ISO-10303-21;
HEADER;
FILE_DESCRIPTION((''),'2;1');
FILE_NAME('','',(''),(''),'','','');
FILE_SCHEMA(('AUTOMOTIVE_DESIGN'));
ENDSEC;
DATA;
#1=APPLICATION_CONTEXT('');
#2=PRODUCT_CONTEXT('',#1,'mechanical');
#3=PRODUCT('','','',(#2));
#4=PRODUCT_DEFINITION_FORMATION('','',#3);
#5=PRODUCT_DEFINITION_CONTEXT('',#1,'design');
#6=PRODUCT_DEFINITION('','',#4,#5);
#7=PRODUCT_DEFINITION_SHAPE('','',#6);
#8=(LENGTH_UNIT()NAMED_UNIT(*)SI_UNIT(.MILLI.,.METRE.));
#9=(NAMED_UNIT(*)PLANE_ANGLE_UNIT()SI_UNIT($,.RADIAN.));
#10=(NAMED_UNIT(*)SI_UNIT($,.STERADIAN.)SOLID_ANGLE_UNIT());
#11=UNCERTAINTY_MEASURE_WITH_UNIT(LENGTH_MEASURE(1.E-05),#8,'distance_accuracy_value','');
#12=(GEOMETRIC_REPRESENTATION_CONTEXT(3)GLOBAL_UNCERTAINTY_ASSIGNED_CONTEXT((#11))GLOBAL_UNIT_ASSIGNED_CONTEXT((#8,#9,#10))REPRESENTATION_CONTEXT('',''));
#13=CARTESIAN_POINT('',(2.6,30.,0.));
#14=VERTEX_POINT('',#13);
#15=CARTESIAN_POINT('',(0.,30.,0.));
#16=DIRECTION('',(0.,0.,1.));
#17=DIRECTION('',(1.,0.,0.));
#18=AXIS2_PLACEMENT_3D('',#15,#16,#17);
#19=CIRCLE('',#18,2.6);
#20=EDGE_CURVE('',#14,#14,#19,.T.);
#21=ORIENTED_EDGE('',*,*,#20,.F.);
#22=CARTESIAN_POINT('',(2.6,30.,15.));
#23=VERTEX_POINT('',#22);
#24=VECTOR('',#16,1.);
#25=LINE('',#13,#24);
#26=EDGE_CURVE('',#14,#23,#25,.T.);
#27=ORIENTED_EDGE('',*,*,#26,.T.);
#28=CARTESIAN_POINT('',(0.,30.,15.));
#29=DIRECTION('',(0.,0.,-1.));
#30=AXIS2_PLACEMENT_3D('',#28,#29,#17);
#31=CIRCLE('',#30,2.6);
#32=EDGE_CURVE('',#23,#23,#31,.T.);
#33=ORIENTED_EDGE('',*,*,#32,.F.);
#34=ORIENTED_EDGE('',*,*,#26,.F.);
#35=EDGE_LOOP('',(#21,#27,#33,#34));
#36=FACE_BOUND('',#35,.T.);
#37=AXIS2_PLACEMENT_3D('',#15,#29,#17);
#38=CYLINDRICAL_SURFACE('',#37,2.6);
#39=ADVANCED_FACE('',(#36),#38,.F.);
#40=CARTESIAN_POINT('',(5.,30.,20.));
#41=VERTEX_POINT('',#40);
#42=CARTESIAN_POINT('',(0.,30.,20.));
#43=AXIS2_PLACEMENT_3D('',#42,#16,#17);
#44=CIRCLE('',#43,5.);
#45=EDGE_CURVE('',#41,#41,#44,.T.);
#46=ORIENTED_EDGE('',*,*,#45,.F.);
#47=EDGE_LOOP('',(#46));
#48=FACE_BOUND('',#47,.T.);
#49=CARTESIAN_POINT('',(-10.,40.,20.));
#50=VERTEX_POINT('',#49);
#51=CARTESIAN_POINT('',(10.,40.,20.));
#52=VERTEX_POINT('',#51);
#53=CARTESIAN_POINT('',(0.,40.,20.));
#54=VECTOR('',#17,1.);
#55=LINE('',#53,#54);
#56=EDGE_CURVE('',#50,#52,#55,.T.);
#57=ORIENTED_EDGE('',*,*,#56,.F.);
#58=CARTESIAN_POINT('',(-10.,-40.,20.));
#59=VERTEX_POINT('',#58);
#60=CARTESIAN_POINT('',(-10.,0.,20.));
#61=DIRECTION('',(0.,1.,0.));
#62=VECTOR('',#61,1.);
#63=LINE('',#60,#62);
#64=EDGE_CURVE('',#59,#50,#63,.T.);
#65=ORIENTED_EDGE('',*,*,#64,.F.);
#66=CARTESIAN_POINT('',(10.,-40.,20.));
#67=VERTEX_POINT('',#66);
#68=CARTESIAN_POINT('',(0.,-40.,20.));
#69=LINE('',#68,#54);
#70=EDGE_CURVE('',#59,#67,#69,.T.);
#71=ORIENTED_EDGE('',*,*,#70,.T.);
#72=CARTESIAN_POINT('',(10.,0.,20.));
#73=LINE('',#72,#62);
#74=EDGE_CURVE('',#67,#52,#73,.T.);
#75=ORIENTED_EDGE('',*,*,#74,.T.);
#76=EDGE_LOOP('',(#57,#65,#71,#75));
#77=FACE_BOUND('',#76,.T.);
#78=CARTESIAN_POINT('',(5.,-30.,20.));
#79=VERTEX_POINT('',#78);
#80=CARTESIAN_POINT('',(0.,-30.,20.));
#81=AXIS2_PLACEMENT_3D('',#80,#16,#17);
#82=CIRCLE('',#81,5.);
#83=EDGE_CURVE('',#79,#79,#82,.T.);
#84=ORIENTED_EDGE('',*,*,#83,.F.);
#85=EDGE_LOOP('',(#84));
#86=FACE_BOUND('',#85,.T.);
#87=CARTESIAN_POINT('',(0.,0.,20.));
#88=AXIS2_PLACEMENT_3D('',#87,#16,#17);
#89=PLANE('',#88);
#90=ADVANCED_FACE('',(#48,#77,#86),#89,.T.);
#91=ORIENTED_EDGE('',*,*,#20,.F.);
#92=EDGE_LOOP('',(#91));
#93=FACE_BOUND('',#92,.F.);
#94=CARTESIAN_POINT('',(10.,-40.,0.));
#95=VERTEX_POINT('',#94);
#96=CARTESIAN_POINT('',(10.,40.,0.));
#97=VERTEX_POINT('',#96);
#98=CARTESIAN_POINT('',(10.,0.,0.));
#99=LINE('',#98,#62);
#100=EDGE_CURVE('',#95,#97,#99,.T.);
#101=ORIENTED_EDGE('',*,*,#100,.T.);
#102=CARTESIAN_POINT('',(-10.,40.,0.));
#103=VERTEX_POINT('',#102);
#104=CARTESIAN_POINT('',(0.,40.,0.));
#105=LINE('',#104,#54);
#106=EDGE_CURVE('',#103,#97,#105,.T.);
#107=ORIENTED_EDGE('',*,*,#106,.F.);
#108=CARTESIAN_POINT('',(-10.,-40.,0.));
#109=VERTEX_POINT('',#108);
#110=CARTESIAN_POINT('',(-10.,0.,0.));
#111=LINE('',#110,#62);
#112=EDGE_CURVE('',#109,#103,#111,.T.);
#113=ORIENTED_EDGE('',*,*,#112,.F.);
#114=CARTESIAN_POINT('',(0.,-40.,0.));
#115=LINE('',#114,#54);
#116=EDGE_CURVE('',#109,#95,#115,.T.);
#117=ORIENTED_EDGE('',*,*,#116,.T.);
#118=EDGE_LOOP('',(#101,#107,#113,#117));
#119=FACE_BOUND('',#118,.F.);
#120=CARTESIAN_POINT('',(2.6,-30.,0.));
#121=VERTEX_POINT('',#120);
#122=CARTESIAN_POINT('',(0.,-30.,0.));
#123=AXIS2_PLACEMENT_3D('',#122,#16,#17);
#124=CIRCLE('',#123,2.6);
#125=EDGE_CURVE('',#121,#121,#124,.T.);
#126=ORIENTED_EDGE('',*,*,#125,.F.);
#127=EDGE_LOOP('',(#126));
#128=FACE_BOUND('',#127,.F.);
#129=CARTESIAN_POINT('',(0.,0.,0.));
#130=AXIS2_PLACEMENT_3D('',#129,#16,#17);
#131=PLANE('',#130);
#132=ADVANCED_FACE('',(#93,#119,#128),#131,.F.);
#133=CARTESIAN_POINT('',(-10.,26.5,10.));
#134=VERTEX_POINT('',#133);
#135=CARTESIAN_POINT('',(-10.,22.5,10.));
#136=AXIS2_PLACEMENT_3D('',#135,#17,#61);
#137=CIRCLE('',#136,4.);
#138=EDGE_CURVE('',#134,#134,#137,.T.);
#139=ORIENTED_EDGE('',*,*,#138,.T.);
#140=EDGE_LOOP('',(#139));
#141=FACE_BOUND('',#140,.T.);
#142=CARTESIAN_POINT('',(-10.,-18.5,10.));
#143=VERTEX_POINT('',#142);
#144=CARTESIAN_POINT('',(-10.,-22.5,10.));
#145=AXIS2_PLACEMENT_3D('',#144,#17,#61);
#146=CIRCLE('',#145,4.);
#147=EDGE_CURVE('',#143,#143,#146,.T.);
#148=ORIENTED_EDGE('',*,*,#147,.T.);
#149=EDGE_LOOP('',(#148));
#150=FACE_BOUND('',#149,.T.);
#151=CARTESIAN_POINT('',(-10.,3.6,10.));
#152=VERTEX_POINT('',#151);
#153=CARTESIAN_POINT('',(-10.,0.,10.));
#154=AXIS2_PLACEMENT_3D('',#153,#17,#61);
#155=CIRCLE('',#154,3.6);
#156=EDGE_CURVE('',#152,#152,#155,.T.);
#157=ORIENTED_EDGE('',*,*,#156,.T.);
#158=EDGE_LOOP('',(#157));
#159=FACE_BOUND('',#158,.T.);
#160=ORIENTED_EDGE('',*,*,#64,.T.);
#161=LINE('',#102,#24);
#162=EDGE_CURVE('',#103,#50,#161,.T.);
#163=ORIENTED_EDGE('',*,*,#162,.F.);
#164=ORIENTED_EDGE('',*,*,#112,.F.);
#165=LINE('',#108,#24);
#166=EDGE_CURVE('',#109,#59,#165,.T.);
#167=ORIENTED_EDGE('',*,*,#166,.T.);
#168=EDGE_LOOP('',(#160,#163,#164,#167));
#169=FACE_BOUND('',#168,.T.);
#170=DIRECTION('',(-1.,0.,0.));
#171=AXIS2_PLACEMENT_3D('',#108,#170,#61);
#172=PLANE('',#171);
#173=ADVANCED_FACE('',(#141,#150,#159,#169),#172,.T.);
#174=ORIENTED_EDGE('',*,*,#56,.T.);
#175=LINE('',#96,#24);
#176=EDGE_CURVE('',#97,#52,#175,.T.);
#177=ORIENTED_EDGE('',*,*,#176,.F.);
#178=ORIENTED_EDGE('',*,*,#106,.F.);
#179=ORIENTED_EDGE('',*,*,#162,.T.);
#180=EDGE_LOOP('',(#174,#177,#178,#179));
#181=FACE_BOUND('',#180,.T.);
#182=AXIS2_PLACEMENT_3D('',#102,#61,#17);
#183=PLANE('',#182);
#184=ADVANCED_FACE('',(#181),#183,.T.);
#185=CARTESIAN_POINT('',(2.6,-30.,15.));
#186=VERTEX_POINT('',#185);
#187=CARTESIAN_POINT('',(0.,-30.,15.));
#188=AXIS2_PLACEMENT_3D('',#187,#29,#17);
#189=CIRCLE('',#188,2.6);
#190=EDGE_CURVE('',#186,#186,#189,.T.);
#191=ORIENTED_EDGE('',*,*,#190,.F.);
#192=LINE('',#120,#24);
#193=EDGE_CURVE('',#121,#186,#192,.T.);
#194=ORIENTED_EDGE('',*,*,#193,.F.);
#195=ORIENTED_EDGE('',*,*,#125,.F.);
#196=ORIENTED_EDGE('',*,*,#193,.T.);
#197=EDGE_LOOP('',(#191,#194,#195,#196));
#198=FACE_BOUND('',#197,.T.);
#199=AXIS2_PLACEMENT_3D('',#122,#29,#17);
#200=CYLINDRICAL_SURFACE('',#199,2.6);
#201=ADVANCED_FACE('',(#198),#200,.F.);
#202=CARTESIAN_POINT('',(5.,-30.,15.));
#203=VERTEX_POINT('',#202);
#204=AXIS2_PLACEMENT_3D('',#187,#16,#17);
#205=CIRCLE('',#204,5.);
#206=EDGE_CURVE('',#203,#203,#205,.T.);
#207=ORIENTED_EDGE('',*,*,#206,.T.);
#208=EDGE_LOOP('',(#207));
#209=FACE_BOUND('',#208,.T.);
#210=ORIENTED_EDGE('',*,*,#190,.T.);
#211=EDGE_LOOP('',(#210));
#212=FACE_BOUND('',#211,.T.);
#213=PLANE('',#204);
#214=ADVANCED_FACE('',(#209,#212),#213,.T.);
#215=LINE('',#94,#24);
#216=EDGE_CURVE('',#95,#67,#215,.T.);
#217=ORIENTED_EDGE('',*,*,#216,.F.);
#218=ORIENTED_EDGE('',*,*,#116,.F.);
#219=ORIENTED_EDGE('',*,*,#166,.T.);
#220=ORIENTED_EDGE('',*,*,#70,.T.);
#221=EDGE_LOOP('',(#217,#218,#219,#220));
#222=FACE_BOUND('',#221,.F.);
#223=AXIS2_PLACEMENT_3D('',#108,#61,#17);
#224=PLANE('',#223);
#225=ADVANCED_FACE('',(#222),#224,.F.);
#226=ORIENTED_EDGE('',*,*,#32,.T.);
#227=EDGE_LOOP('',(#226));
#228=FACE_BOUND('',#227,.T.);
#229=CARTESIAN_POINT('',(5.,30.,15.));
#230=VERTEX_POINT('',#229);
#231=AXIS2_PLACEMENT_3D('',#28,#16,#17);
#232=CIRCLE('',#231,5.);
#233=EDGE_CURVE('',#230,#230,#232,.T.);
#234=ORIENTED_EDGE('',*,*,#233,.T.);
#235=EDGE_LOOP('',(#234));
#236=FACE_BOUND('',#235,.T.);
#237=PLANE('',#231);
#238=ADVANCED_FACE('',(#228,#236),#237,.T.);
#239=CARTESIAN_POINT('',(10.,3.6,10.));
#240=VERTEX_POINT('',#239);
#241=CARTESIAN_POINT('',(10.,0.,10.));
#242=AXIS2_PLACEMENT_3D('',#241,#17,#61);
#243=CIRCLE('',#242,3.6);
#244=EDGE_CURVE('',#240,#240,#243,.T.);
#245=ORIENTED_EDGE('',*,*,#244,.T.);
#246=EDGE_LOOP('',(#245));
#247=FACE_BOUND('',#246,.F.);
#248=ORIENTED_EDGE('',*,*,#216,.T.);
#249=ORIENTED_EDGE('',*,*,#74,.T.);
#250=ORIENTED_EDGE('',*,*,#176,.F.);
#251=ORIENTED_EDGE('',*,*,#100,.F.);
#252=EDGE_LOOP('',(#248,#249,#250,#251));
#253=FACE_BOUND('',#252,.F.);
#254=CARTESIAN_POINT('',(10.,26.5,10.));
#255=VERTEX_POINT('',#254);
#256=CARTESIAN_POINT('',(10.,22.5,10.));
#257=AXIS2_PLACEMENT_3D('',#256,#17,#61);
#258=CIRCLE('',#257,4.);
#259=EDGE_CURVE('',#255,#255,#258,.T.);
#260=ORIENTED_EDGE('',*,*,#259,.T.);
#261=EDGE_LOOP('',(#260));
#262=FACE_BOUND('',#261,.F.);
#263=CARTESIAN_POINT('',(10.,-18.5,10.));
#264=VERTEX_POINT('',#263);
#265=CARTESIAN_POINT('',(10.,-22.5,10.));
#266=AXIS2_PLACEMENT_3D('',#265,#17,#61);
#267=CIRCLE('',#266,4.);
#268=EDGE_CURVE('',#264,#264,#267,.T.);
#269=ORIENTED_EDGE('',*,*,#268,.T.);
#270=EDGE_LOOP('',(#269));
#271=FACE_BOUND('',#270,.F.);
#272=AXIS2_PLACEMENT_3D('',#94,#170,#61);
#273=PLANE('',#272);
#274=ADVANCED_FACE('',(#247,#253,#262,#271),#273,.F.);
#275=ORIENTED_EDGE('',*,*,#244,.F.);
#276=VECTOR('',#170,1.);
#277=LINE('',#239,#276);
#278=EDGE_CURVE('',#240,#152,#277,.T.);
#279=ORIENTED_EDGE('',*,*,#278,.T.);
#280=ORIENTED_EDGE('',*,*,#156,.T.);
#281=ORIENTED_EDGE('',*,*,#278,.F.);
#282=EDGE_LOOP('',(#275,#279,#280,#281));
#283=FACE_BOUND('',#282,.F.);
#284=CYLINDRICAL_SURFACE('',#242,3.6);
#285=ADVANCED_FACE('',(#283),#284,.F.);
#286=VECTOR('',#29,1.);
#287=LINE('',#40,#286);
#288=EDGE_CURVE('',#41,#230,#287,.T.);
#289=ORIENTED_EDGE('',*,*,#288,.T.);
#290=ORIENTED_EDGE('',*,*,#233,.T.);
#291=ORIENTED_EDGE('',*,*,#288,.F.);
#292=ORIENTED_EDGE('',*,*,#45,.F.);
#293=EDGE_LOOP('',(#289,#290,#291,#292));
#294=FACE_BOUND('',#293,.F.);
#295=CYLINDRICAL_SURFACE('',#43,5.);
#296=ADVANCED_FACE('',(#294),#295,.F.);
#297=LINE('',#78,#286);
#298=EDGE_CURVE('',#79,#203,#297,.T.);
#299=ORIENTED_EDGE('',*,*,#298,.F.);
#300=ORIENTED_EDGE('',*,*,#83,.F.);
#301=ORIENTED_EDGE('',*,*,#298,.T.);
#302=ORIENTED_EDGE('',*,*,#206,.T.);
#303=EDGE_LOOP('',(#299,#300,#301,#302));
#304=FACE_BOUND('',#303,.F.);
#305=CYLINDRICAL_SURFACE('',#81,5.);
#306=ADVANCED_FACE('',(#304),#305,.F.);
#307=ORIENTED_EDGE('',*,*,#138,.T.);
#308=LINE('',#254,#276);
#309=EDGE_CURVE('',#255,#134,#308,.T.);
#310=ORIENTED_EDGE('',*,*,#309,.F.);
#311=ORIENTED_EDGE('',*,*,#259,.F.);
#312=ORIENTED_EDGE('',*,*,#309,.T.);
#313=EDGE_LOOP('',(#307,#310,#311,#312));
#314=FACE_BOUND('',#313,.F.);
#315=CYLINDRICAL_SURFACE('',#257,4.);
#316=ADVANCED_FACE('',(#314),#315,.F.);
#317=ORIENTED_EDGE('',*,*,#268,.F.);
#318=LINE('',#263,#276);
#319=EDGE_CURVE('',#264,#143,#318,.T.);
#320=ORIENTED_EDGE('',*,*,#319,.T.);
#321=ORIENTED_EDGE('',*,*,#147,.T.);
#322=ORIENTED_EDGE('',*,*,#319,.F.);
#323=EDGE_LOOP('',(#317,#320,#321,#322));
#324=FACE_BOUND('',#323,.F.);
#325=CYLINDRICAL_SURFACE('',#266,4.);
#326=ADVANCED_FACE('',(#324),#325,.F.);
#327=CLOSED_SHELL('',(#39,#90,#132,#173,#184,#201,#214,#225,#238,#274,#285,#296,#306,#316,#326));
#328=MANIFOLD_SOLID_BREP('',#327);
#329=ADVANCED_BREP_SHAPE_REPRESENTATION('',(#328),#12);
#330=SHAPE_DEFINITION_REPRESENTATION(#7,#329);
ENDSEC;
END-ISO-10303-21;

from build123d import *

# Parameters (mm, degrees)
F0_W     = 20
F0_H     = 80
F0_R     = 2.6
F1_DEPTH = 20
F2_R     = 5
F3_DEPTH = 5
F4_R     = 4
F4_R_2   = 3.6
F5_DEPTH = 25


with BuildPart() as f1:
    # F0 (on Top) → F1 (new body)
    with BuildSketch(Plane.XY):
        Rectangle(F0_W, F0_H)
        with Locations((0, -30)):
            Circle(F0_R, mode=Mode.SUBTRACT)
        with Locations((0, 30)):
            Circle(F0_R, mode=Mode.SUBTRACT)
    extrude(amount=F1_DEPTH)

    # F2 (on face) → F3 (cut)
    with BuildSketch(Plane.XY.offset(20)):
        with Locations((0, 30)):
            Circle(F2_R)
        with Locations((0, -30)):
            Circle(F2_R)
    extrude(amount=-F3_DEPTH, mode=Mode.SUBTRACT)

    # F4 (on face) → F5 (cut)
    with BuildSketch(Plane.YZ.offset(10)):
        with Locations((-22.5, 10)):
            Circle(F4_R)
        with Locations((22.5, 10)):
            Circle(F4_R)
        with Locations((0, 10)):
            Circle(F4_R_2)
    extrude(amount=-F5_DEPTH, mode=Mode.SUBTRACT)


solid = f1.part
